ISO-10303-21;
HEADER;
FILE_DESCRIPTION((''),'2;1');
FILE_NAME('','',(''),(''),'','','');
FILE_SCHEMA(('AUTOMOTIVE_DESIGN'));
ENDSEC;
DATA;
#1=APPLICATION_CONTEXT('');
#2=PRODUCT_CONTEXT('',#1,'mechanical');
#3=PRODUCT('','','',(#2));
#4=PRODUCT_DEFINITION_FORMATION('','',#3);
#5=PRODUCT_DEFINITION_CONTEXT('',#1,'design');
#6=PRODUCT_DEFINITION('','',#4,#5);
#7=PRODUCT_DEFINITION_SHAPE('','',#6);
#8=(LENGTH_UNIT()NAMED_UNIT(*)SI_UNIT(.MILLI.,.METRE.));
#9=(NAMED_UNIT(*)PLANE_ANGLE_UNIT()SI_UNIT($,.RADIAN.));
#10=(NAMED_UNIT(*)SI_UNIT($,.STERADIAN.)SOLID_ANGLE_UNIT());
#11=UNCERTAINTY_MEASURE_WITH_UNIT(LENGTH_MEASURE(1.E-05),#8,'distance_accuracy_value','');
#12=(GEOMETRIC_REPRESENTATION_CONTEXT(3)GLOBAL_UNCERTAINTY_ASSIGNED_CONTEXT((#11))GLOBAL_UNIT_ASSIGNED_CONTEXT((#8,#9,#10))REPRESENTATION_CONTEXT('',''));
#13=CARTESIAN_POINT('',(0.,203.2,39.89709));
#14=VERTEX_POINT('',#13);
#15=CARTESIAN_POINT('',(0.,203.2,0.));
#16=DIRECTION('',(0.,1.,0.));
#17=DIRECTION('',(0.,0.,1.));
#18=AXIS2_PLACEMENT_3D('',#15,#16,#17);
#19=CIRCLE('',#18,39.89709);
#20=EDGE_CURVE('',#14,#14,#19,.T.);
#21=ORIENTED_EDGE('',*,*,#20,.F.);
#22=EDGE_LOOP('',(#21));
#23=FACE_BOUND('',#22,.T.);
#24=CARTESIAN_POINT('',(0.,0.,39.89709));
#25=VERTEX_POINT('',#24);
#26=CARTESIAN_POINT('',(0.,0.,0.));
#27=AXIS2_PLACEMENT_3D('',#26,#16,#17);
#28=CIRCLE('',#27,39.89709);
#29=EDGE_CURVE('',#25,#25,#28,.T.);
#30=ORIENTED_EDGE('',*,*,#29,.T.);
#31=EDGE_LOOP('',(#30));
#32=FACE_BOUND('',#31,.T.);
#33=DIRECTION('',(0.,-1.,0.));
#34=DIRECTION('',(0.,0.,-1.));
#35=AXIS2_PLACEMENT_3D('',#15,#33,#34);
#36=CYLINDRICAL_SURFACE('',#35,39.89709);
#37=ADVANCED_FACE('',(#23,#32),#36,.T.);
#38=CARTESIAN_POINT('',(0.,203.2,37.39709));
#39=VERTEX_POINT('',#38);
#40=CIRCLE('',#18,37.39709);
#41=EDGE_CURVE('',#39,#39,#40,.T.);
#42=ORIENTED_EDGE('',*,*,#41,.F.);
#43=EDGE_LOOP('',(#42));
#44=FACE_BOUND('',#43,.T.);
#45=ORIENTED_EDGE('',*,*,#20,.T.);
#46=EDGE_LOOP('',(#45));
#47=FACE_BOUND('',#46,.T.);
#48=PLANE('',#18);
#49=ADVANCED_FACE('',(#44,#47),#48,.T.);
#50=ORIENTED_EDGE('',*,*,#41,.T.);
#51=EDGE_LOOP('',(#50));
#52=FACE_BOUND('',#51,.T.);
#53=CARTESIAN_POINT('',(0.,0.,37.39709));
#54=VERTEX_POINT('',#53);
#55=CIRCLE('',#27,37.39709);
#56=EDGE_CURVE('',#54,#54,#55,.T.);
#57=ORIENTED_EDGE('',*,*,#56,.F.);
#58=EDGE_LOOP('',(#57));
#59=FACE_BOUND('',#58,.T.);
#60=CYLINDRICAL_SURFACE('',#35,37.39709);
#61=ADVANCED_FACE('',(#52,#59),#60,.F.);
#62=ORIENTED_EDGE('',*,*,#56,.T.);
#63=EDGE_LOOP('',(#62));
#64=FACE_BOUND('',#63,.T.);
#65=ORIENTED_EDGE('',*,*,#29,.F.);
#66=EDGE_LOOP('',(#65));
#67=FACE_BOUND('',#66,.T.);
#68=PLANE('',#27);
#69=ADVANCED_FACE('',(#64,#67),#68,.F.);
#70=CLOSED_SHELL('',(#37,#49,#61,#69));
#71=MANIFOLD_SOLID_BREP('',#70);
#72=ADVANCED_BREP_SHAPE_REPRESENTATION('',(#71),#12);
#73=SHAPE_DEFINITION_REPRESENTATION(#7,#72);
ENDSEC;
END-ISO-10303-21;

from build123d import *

# Parameters (mm, degrees)
SKETCH1_R           = 39.897090419
SKETCH1_R_2         = 37.397090419
BOSS_EXTRUDE1_DEPTH = 203.2


with BuildPart() as part:
    # Sketch1 → Boss-Extrude1 (new body)
    with BuildSketch(Plane(origin=(0, 0, 0), x_dir=(1, 0, 0), z_dir=(0, 1, 0))):
        with Locations(Location((0, 0, 0), (0, 0, 270))):
            Circle(SKETCH1_R)
        with Locations(Location((0, 0, 0), (0, 0, 270))):
            Circle(SKETCH1_R_2, mode=Mode.SUBTRACT)
    extrude(amount=BOSS_EXTRUDE1_DEPTH)


solid = part.part
